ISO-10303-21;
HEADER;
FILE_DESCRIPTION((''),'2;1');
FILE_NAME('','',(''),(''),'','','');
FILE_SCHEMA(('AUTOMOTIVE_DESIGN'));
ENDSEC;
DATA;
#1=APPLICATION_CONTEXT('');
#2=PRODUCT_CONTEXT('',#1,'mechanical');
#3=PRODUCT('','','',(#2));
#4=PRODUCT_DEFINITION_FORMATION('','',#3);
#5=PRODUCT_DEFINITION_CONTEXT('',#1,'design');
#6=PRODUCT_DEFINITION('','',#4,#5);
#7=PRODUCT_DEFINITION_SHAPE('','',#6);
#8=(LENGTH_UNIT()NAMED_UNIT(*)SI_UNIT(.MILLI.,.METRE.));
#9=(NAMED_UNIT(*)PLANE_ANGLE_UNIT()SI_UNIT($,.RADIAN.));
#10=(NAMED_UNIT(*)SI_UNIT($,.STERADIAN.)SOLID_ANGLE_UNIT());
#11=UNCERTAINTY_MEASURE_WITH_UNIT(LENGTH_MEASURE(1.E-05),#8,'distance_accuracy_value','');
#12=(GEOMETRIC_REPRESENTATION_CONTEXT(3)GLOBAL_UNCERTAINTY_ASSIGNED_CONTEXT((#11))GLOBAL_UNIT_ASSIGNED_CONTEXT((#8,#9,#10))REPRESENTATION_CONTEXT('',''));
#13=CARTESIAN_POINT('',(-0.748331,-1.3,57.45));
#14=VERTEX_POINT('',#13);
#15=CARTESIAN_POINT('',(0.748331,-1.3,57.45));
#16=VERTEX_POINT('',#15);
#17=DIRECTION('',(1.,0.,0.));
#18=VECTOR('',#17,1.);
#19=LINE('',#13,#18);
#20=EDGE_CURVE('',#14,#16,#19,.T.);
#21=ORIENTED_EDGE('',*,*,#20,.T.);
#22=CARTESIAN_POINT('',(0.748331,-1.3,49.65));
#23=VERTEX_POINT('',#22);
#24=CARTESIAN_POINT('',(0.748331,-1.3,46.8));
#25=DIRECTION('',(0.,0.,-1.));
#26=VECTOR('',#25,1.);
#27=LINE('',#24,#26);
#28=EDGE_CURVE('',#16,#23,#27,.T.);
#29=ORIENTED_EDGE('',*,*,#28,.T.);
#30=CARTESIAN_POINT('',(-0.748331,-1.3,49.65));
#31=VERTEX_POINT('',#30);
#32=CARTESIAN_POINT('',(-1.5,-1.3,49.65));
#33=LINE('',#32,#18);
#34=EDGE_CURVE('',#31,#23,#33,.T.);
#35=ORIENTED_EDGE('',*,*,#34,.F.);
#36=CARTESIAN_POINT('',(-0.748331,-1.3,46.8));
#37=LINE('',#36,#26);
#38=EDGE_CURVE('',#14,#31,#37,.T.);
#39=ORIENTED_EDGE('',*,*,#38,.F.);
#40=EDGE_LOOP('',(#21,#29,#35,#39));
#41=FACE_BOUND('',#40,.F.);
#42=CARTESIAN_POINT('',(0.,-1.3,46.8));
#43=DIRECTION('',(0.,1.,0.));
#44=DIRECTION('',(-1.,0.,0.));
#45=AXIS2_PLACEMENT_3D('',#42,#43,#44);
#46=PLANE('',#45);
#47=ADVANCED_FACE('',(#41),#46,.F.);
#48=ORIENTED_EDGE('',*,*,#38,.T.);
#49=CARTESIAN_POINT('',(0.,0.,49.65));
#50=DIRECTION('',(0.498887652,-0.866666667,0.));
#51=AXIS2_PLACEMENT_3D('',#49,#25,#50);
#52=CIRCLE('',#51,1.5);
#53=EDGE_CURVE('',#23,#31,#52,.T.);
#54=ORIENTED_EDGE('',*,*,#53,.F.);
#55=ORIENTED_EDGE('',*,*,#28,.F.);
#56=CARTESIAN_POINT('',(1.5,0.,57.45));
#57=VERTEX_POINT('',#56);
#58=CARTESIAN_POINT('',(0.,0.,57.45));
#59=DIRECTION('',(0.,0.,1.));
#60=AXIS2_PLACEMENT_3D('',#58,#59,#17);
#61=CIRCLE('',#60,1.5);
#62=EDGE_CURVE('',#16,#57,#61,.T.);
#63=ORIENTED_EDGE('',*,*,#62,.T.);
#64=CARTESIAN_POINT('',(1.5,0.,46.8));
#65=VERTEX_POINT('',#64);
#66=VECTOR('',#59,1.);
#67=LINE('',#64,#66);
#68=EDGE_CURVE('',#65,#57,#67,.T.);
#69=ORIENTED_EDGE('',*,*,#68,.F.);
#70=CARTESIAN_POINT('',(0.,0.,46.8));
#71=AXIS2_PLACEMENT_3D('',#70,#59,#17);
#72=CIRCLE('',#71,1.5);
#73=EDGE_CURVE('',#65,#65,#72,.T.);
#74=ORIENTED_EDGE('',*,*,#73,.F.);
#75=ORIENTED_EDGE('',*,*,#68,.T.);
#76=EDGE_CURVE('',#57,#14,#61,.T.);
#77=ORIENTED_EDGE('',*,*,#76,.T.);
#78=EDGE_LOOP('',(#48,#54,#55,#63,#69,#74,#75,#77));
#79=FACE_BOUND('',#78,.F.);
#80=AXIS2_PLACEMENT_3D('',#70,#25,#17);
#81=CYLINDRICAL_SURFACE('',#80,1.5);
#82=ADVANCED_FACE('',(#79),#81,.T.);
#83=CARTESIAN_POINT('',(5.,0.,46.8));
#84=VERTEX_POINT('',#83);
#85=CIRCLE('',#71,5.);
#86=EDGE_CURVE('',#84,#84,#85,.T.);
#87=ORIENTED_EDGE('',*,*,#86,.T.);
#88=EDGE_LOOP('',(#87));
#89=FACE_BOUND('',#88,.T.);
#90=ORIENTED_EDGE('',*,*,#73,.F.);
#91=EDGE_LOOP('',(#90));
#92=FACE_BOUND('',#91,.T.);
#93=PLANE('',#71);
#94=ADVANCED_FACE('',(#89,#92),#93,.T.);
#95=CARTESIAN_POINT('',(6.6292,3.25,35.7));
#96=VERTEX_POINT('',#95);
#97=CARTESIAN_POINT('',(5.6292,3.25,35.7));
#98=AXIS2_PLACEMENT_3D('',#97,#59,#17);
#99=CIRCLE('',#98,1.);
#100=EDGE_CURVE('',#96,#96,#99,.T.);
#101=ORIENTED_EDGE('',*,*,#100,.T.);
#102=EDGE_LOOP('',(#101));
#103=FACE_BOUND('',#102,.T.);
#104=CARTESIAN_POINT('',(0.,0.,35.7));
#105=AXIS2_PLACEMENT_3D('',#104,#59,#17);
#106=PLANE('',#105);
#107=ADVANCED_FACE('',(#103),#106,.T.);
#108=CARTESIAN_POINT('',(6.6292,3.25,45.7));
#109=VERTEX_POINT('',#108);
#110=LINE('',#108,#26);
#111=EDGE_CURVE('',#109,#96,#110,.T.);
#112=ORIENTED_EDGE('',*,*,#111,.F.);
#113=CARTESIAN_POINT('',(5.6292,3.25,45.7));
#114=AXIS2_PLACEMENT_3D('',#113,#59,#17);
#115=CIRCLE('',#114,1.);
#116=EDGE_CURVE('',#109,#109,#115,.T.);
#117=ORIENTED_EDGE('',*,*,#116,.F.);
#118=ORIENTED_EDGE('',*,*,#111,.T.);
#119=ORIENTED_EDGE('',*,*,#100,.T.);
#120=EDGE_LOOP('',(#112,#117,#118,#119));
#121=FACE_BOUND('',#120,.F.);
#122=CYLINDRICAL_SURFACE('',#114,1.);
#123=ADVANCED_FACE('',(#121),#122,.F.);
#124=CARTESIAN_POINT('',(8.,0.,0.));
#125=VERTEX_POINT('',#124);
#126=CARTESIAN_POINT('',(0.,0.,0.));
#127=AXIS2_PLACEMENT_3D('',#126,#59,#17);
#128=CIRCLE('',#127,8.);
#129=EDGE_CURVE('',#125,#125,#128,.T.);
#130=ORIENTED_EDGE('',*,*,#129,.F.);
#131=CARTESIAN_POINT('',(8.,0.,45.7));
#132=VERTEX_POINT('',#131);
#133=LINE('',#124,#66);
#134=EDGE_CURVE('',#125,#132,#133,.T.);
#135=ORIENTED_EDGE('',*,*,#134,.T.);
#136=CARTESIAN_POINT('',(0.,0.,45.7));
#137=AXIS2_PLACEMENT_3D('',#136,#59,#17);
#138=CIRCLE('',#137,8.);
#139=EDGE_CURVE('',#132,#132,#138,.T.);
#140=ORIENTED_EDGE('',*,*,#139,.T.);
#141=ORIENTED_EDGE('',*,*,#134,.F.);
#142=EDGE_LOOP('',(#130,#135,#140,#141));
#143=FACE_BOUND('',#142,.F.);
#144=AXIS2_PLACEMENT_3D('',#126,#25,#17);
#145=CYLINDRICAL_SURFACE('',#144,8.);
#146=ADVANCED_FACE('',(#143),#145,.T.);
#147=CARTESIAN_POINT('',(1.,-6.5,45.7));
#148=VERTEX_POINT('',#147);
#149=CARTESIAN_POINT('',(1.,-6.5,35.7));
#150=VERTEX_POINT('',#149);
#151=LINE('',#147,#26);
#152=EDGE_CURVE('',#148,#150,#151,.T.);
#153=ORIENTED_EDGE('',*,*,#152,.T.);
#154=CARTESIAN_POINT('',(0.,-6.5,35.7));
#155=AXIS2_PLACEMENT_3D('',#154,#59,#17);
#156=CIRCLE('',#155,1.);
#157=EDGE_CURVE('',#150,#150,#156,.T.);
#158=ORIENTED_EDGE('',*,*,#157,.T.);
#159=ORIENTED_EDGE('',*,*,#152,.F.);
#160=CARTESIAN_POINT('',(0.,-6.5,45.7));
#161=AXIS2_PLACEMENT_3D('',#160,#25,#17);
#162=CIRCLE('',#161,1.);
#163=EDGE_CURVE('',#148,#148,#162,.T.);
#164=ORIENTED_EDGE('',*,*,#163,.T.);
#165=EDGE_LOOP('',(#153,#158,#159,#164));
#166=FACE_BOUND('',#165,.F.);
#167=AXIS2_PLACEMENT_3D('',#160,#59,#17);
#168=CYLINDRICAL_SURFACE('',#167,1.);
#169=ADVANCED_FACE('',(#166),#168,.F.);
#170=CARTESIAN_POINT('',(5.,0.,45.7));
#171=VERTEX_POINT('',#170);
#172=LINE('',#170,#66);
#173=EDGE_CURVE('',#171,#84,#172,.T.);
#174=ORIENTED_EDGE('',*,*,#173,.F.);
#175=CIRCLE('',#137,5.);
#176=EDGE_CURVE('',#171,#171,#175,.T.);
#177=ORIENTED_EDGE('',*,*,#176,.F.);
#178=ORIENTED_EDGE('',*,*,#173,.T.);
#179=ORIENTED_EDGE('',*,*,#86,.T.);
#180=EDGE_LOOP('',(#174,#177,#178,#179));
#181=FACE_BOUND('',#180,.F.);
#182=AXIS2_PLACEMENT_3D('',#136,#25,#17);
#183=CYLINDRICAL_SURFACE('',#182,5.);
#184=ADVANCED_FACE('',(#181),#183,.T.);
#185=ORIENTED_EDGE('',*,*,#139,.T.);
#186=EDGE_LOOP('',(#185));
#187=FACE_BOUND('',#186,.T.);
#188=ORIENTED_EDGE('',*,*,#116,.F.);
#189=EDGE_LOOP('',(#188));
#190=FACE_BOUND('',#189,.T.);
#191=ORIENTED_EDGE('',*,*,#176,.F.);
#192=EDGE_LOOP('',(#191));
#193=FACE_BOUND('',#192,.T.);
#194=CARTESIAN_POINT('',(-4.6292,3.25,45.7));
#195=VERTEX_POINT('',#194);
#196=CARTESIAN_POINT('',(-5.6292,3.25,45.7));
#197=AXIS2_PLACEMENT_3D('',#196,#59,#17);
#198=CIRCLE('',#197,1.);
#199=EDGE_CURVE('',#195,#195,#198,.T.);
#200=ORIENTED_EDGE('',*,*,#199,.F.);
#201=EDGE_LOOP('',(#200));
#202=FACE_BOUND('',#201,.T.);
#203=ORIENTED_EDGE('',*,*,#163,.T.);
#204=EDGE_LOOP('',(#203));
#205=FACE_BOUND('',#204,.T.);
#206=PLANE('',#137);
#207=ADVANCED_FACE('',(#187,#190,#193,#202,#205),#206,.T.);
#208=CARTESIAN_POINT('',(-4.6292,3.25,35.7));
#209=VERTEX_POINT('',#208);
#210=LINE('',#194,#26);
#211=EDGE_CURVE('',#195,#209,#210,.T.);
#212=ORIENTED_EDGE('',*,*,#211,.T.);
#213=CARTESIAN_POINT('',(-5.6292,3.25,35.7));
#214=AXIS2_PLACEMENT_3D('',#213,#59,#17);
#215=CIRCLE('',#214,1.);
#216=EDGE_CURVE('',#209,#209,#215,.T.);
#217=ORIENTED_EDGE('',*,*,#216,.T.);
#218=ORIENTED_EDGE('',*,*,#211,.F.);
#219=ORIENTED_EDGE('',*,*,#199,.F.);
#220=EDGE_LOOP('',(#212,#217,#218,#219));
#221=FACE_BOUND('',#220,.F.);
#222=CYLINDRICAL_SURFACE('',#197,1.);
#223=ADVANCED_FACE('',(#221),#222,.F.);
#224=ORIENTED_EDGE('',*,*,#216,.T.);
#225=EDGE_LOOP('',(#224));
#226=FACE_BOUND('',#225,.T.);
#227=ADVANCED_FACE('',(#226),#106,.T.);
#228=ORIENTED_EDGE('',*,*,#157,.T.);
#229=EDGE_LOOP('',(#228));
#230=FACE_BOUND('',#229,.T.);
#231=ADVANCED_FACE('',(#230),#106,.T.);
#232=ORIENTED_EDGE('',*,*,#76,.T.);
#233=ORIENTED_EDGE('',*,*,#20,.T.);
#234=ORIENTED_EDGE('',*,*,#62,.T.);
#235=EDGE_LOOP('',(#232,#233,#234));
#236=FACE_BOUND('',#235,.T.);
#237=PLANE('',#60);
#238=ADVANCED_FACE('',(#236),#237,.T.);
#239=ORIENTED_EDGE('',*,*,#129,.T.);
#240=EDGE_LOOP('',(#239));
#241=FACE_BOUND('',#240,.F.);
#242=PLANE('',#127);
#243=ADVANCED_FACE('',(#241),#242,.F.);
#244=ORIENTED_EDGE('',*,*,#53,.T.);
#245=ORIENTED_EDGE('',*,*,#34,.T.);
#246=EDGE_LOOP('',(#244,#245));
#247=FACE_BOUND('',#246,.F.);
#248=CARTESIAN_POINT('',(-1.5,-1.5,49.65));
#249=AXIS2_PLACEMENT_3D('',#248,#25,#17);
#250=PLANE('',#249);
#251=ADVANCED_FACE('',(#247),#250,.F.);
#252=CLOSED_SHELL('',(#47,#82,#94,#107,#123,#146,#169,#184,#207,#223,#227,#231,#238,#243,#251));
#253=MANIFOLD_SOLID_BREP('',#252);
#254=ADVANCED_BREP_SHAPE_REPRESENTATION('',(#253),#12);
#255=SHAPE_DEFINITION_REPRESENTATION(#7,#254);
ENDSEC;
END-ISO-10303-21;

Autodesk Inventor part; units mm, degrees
ref_plane "YZ Plane" through (0, 0, 0) normal (1, 0, 0) x (0, 1, 0)
ref_plane "XY Plane" through (0, 0, 0) normal (0, 0, 1) x (1, 0, 0)
sketch "Sketch1" plane through (0, 0, 0) normal (0, 0, 1) x (1, 0, 0)
  circle A0 centre (0, 0) radius 8
  dimension "d0" = 16
extrude "Extrusion1" add sketch "Sketch1" along normal blind 45.7
sketch "Sketch2" plane through (0, 0, 45.7) normal (0, 0, 1) x (1, 0, 0)
  line L0 (0, 0) -> (0, -6.5)
  circle A0 centre (0, -6.5) radius 1
  circle A1 centre (5.6292, 3.25) radius 1
  circle A2 centre (-5.6292, 3.25) radius 1
  dimension "d8" = 360
  dimension "d38" = 6.5
  dimension "d39" = 2
  dimension "d42" = 360
extrude "Extrusion2" cut sketch "Sketch2" against normal blind 10
sketch "Sketch3" plane through (0, 0, 45.7) normal (0, 0, 1) x (1, 0, 0)
  circle A0 centre (0, 0) radius 5
  dimension "d12" = 10
extrude "Extrusion3" add sketch "Sketch3" along normal blind 1.1
sketch "Sketch8" plane through (0, 0, 46.8) normal (0, 0, 1) x (1, 0, 0)
  circle A0 centre (0, 0) radius 1.5
  dimension "d31" = 3
extrude "Extrusion8" add sketch "Sketch8" along normal blind 10.65
ref_plane "Work Plane5" through (0, -1.5, 46.8) normal (0, 1, 0) x (-1, 0, 0)
sketch "Sketch9" plane through (0, -1.5, 46.8) normal (0, 1, 0) x (-1, 0, 0)
  line L0 (1.5, 10.65) -> (-1.5, 10.65) projected
  line L1 (0, 10.65) -> (1.5, 10.65)
  line L2 (1.5, 10.65) -> (1.5, 2.85)
  line L3 (1.5, 2.85) -> (-1.5, 2.85)
  line L4 (-1.5, 2.85) -> (-1.5, 10.65)
  line L5 (-1.5, 10.65) -> (0, 10.65)
  point P0 (0, -46.8)
  dimension "d34" = 1.5
  dimension "d35" = 7.8
extrude "Extrusion9" cut sketch "Sketch9" along normal blind 0.2
properties part number "Motor"
